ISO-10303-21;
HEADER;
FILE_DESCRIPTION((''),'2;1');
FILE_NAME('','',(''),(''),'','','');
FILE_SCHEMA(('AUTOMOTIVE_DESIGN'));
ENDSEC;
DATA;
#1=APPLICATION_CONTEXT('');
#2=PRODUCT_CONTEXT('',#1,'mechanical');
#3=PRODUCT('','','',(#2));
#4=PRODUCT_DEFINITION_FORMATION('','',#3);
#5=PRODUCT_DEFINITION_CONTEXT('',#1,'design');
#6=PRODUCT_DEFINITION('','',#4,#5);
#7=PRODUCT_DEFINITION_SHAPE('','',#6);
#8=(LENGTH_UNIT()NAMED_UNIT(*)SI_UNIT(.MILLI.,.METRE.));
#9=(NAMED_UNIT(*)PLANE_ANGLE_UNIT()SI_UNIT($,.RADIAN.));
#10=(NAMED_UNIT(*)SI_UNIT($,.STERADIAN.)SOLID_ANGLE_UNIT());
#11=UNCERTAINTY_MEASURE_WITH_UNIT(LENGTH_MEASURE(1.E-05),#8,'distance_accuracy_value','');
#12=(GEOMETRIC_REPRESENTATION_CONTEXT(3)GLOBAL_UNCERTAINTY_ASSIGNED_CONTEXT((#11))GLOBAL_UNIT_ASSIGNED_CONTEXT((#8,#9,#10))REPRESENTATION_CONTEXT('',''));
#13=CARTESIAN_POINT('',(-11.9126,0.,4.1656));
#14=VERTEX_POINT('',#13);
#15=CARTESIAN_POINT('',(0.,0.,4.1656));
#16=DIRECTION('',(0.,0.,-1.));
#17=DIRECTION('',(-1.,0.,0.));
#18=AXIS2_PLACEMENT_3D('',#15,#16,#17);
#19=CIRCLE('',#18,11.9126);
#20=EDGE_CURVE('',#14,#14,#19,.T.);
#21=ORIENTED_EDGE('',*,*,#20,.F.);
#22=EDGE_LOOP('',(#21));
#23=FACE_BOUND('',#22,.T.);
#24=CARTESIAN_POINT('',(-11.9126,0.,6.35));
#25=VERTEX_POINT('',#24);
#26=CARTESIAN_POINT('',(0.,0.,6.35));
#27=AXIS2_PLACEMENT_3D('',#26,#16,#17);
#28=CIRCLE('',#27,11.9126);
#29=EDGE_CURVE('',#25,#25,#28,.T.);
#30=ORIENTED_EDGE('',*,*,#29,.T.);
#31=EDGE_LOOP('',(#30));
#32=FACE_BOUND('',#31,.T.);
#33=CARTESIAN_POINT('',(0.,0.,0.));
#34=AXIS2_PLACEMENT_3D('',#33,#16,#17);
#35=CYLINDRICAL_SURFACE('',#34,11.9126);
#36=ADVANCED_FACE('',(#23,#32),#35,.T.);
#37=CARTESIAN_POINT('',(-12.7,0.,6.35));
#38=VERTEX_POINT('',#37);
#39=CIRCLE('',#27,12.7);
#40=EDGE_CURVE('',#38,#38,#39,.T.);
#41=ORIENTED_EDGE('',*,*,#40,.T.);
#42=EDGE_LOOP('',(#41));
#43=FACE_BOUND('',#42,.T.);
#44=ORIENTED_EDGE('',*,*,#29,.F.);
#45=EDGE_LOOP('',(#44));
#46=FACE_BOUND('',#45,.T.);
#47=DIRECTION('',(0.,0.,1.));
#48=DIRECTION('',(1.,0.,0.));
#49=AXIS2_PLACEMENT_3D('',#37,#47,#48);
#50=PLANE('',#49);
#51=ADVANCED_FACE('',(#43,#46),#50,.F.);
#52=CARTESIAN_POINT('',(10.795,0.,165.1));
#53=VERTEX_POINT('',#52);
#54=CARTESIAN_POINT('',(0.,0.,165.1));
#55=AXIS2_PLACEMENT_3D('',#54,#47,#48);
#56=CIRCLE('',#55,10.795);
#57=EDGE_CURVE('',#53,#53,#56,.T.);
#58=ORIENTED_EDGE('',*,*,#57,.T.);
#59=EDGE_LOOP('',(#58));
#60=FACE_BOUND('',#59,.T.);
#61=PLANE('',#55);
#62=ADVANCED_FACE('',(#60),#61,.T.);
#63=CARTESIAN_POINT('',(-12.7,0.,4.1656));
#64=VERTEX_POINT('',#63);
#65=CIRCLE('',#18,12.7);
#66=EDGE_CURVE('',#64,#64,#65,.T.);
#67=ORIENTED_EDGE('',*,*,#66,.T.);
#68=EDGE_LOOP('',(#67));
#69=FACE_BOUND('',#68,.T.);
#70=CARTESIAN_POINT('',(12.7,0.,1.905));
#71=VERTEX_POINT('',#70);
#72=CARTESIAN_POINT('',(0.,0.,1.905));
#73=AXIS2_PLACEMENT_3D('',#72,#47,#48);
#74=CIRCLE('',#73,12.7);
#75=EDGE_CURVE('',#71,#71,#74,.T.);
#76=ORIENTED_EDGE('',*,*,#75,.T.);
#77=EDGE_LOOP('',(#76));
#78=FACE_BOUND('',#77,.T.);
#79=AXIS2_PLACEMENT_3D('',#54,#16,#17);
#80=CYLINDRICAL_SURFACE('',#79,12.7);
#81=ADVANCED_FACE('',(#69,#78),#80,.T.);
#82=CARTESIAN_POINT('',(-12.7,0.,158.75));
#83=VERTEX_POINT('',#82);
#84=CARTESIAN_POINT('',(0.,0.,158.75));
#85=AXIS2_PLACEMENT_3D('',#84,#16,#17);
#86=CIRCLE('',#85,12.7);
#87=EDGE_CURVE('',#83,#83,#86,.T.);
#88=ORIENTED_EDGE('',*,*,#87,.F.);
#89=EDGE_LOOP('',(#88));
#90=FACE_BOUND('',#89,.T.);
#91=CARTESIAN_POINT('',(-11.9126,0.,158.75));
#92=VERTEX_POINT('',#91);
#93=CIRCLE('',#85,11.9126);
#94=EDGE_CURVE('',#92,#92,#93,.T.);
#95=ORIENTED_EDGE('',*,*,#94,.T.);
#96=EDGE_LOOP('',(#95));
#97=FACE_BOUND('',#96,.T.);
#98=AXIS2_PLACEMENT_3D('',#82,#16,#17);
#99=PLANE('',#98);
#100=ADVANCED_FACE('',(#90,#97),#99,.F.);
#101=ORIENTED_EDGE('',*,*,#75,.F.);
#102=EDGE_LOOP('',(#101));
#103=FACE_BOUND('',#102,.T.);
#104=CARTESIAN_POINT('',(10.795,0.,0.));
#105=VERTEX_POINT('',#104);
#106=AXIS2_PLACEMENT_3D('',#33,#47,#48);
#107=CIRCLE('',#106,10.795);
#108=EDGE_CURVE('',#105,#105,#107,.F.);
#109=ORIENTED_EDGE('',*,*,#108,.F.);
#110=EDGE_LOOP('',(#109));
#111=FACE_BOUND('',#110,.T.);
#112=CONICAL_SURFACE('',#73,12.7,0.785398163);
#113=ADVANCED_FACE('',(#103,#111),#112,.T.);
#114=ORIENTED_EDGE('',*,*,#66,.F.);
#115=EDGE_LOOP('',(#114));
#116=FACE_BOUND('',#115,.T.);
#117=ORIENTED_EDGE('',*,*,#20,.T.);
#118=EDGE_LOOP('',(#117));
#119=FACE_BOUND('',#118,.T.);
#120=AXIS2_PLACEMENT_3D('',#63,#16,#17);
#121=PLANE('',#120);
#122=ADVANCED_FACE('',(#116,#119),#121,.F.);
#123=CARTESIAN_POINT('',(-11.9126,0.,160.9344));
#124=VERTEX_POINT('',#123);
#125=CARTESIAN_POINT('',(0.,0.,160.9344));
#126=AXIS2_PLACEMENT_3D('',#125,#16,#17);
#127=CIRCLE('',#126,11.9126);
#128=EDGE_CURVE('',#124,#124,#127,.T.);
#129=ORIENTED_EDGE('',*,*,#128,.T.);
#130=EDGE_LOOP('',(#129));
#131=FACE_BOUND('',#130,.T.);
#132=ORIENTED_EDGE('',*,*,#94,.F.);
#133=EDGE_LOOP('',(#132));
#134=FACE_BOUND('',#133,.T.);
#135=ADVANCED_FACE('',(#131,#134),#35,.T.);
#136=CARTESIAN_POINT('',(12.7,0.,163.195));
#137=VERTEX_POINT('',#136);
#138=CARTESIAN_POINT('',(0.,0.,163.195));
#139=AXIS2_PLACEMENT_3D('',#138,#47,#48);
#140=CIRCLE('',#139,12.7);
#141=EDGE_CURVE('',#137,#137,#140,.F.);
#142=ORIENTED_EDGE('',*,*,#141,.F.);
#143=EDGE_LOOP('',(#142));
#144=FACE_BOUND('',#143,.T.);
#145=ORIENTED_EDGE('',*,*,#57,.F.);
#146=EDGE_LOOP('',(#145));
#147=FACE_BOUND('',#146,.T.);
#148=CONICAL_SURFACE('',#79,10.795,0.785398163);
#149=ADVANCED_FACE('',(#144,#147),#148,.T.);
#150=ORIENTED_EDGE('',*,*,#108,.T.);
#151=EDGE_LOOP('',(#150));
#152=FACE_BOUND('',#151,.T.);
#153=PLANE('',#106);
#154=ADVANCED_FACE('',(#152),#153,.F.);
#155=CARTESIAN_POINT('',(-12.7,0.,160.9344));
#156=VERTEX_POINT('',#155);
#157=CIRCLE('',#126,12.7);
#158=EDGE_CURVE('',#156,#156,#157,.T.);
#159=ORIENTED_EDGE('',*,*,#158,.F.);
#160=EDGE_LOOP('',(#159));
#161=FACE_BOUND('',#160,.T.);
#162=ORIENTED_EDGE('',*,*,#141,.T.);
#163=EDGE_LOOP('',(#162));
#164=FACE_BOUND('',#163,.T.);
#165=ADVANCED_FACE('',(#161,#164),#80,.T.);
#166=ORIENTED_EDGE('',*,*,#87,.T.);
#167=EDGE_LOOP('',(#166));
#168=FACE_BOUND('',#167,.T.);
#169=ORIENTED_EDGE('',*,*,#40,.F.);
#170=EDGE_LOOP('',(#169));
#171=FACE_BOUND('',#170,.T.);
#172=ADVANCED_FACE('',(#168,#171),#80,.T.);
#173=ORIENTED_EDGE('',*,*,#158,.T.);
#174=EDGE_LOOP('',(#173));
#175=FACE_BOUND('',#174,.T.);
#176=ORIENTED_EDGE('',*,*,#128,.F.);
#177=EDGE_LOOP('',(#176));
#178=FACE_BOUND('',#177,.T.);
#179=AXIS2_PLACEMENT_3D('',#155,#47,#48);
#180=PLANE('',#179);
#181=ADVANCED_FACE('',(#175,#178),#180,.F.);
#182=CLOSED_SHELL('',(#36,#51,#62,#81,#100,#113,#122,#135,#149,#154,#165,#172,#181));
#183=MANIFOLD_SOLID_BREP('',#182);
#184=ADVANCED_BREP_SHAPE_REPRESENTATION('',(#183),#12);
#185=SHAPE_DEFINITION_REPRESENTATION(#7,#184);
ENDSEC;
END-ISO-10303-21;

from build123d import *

# Parameters (mm, degrees)
SKETCH1_R           = 12.7
BOSS_EXTRUDE1_DEPTH = 165.1
SKETCH2_W           = 0.7874
SKETCH2_H           = 2.1844
CHAMFER1_SIZE       = 1.905


with BuildPart() as part:
    # Sketch1 → Boss-Extrude1 (new body)
    with BuildSketch(Plane.XY):
        Circle(SKETCH1_R)
    extrude(amount=BOSS_EXTRUDE1_DEPTH)

    # Sketch2 → Cut-Revolve1 (revolve, cut)
    with BuildSketch(Plane(origin=(0, 0, 0), x_dir=(1, 0, 0), z_dir=(0, 1, 0))):
        with Locations((-12.3063, -5.2578)):
            Rectangle(SKETCH2_W, SKETCH2_H)
        with Locations((-12.3063, -159.8422)):
            Rectangle(SKETCH2_W, SKETCH2_H)
    revolve(axis=Axis((0, 0, 0), (0, 0, 1)), mode=Mode.SUBTRACT)

    # Chamfer1
    chamfer1_edges = [part.edges().sort_by_distance(p)[0] for p in [
        (-12.7, 0, 0),
        (-12.7, 0, 165.1),
    ]]
    chamfer(chamfer1_edges, length=CHAMFER1_SIZE)


solid = part.part
